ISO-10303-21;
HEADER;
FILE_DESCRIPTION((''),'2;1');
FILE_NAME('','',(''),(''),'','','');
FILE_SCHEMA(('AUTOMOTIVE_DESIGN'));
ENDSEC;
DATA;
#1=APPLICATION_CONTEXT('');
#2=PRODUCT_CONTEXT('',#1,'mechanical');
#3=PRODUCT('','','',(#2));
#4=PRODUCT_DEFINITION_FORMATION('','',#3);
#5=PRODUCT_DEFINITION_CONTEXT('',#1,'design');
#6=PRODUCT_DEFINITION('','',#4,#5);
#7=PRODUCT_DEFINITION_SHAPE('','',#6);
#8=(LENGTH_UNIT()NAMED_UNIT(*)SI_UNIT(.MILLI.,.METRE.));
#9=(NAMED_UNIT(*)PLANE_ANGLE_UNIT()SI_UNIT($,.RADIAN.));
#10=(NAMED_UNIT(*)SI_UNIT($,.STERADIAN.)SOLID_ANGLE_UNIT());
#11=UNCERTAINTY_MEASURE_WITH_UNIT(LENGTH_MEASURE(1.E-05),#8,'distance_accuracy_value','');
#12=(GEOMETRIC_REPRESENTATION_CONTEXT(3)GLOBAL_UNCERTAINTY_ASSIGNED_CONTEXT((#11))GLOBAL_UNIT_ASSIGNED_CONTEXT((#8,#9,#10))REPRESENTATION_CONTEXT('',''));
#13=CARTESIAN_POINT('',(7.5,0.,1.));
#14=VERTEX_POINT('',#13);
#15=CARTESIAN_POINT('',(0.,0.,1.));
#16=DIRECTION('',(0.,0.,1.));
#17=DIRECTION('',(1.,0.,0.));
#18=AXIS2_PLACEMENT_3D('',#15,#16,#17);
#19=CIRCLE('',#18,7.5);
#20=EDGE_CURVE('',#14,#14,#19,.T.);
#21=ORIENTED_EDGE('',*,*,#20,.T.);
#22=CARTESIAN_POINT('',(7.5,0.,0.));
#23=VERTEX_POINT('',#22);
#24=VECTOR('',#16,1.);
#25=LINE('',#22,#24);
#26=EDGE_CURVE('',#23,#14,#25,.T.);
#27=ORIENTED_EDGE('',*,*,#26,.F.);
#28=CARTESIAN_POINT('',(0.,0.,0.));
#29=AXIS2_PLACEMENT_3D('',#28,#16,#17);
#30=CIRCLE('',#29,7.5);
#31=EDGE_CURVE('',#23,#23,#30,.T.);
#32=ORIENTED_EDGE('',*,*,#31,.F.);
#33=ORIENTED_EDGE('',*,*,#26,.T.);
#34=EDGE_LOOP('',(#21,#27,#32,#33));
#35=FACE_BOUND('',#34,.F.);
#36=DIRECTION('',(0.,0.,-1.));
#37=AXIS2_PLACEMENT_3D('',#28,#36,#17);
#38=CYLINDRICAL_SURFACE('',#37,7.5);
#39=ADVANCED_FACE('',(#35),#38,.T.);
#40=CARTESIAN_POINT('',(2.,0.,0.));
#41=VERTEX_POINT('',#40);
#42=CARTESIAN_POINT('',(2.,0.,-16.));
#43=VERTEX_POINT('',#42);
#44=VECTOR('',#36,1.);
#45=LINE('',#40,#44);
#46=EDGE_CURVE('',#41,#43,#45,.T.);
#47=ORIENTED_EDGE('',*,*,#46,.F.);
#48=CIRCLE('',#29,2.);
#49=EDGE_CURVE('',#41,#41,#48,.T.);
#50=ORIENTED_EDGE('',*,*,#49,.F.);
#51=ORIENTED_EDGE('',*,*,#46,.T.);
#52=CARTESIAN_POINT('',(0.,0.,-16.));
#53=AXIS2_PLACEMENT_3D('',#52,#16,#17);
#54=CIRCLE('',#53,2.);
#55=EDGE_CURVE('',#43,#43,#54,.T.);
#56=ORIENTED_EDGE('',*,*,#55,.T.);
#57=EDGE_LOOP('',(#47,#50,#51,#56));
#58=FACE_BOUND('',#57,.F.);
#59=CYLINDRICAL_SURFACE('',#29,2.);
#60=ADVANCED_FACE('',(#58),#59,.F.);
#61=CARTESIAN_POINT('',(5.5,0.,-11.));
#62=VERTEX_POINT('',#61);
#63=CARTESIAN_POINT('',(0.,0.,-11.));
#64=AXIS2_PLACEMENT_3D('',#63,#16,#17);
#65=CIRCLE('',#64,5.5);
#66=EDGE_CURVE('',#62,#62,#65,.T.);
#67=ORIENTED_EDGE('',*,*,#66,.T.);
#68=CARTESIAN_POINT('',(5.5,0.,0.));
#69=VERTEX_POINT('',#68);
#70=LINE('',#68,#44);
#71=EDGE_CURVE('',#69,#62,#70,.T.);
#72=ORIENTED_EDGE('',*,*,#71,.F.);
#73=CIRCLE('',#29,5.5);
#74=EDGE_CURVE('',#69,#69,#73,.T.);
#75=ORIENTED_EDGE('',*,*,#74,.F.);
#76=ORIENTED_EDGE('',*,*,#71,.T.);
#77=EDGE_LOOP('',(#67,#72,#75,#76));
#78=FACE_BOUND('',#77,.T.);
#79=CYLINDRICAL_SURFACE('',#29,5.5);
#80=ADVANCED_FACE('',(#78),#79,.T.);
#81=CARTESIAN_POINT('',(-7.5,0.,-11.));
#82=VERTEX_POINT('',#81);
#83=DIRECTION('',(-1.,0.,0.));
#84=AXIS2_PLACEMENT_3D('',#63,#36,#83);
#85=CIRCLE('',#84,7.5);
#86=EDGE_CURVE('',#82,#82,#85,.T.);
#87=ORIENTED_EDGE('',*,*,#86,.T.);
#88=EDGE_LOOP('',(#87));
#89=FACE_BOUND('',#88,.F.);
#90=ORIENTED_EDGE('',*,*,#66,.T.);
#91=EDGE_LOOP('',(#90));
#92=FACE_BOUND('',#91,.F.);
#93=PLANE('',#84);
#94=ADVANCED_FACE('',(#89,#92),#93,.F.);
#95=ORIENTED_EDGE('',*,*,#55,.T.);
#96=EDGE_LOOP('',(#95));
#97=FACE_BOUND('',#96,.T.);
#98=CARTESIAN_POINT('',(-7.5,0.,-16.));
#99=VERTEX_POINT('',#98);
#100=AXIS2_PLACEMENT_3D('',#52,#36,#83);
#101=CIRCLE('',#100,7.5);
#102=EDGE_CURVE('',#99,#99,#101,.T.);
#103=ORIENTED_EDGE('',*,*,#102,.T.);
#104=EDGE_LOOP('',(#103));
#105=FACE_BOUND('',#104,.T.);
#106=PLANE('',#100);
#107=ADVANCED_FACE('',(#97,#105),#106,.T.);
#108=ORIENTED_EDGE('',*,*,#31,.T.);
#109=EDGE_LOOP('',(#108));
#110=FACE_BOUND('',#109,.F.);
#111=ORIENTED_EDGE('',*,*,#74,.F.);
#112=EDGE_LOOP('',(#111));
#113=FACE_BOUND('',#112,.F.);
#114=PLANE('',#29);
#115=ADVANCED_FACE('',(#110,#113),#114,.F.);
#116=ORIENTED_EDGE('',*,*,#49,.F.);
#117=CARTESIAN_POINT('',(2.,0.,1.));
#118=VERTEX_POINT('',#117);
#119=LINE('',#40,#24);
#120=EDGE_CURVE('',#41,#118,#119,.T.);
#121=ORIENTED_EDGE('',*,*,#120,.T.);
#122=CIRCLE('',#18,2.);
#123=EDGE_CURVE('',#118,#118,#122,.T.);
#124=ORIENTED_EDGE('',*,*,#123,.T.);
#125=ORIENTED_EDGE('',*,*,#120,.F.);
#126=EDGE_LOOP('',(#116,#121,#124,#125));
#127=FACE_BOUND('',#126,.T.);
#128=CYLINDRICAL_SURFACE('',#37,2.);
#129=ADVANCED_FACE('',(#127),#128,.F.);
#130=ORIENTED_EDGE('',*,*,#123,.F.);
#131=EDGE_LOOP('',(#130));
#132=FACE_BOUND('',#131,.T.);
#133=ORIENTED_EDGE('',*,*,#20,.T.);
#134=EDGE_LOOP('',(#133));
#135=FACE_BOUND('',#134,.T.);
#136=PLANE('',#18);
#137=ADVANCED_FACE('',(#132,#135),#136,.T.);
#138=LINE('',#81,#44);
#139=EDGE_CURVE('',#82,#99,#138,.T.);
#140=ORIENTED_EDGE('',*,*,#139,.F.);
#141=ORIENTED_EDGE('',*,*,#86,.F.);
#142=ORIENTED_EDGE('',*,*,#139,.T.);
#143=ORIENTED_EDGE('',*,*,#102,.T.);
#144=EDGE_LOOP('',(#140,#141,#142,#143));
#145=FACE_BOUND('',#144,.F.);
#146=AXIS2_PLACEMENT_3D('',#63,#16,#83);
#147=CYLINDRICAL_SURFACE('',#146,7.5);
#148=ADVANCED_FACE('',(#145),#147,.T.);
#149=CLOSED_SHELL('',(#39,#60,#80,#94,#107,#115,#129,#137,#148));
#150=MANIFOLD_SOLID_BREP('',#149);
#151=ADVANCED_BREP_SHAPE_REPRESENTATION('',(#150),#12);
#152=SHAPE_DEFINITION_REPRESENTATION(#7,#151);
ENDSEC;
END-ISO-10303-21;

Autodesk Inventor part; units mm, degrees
ref_plane "YZ Plane" through (0, 0, 0) normal (1, 0, 0) x (0, 1, 0)
ref_plane "XZ Plane" through (0, 0, 0) normal (0, 1, 0) x (-1, 0, 0)
ref_plane "XY Plane" through (0, 0, 0) normal (0, 0, 1) x (1, 0, 0)
sketch "Skizze1" plane through (0, 0, 0) normal (0, 0, 1) x (1, 0, 0)
  circle A0 centre (0, 0) radius 7.5
  circle A1 centre (0, 0) radius 5.5
  circle A2 centre (0, 0) radius 2
  dimension "d0" = 15
  dimension "d3" = 11
  dimension "d9" = 4
extrude "Extrusion2" add sketch "Skizze1" against normal blind 11 contours A1 | A2
sketch "Skizze2" plane through (0, 0, -11) normal (0, 0, -1) x (-1, 0, 0)
  circle A0 centre (0, 0) radius 7.5
  dimension "d6" = 15
extrude "Extrusion3" add sketch "Skizze2" along normal blind 5
extrude "Extrusion4" cut sketch "Skizze1" along normal mid plane 50 contours A2
extrude "Extrusion5" add sketch "Skizze1" along normal blind 1 contours A0 | A1
properties part number "Timing belt pulley"
